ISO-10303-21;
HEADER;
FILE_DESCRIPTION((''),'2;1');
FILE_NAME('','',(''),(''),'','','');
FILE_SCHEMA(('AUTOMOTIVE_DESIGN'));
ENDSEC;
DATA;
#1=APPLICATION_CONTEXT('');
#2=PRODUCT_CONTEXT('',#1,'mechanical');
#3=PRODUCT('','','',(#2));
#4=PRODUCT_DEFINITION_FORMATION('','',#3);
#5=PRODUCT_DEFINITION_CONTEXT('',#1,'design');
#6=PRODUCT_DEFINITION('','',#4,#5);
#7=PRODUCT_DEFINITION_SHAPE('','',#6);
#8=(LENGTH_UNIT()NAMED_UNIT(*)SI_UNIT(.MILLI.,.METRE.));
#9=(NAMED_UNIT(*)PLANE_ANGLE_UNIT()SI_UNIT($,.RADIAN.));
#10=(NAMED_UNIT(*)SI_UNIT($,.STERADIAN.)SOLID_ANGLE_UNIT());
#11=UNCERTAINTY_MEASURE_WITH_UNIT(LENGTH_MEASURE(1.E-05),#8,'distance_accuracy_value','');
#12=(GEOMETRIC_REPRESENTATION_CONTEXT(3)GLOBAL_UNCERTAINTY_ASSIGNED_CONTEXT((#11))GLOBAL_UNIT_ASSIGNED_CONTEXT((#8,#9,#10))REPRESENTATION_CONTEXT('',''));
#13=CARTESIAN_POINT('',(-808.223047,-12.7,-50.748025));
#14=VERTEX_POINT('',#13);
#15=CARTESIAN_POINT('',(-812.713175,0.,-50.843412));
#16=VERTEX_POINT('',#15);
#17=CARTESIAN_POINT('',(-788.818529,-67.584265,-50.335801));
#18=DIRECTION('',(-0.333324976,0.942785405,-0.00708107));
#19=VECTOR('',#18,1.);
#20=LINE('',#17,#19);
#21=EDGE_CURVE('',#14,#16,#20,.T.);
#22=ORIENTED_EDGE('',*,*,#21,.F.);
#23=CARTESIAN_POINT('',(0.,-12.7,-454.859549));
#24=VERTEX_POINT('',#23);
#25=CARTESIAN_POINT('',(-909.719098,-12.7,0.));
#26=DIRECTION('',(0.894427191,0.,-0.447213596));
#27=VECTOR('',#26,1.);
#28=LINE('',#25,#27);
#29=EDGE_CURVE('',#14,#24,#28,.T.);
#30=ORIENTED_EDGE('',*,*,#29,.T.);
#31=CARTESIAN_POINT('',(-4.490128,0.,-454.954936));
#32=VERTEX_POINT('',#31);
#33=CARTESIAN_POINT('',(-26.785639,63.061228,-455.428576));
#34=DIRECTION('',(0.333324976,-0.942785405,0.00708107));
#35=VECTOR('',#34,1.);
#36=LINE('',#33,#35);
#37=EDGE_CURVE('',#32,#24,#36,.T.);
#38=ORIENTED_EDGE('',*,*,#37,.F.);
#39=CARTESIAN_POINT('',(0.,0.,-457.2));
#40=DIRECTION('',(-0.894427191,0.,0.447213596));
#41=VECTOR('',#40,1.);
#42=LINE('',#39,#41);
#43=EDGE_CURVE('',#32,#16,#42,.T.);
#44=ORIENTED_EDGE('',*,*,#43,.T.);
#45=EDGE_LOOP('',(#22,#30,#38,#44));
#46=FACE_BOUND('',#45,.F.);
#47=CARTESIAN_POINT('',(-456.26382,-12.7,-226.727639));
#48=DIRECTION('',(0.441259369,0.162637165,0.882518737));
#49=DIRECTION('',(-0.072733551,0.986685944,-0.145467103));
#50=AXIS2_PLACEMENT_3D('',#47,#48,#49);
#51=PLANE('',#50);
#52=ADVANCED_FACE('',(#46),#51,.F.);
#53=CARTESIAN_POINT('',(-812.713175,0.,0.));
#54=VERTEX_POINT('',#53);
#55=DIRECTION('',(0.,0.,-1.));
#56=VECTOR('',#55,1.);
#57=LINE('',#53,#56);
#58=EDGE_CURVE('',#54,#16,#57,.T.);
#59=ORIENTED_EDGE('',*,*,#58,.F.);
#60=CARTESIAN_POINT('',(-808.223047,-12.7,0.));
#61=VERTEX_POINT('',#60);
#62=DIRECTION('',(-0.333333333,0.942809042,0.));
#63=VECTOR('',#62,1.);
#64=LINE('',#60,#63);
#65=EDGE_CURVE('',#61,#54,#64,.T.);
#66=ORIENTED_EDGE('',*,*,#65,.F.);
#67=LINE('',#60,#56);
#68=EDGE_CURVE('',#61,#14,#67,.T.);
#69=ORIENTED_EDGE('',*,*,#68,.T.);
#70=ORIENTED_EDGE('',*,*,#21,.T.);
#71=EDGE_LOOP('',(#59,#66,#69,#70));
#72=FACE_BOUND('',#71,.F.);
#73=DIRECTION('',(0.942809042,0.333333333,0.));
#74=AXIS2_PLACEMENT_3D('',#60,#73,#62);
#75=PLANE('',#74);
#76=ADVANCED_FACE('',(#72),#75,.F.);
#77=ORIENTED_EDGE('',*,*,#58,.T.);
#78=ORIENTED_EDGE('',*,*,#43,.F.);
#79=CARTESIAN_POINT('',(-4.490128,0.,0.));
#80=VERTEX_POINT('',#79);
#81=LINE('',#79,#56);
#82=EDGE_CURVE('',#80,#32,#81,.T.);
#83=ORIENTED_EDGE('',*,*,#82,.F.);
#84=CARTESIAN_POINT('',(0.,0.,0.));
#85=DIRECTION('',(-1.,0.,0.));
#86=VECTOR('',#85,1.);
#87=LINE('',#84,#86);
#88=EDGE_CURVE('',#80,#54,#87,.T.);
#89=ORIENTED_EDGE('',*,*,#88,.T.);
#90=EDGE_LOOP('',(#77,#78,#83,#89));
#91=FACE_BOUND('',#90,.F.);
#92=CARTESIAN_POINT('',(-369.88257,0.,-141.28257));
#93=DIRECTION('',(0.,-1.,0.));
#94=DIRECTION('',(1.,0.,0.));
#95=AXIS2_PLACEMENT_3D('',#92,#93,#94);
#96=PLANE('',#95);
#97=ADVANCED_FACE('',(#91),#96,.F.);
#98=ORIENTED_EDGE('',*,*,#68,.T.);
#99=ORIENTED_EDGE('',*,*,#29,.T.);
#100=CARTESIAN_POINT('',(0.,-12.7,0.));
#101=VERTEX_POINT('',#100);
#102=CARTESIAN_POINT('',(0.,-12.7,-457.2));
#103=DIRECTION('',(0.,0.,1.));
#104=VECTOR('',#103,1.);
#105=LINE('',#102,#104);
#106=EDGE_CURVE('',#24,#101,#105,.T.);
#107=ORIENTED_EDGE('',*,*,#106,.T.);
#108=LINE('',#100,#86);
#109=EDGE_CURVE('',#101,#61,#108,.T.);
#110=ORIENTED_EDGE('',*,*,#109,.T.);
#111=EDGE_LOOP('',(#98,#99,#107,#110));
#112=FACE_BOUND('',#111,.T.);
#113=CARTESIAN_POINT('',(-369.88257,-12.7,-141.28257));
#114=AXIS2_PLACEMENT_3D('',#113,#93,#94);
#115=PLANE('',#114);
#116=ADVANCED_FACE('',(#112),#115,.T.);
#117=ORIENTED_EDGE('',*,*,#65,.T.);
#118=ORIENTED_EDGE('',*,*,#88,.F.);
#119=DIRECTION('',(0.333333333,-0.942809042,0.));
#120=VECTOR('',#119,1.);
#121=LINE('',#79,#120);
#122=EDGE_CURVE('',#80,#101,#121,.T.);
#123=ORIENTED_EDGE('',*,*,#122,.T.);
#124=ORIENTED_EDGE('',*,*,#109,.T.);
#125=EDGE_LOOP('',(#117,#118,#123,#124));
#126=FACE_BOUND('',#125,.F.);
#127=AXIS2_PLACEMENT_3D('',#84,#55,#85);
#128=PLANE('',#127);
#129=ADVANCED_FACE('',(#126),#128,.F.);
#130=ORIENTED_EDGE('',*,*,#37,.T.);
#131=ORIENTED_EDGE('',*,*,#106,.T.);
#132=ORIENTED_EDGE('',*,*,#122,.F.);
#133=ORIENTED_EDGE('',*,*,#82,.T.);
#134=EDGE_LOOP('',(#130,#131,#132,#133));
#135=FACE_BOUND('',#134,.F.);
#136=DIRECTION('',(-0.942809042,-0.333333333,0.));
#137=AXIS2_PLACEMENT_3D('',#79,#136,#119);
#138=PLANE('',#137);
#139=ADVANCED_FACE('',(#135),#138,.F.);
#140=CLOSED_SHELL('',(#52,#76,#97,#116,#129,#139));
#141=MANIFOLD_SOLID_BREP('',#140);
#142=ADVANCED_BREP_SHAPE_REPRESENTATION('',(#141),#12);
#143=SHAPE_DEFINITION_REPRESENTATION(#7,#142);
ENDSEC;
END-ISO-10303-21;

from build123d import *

# Parameters (mm, degrees)
F1_DEPTH      = 12.7
F6_DEPTH      = 511.1661396565
F6_DEPTH_BACK = 511.1661396565
F7_DEPTH      = 457.201


with BuildPart() as f1:
    # F0 (on Front) → F1 (new body)
    with BuildSketch(Plane.XZ):
        Polygon((0, -457.2), (0, 0), (-914.4, 0), align=None)
    extrude(amount=F1_DEPTH)

    # F5 (on face) → F6 (cut, two sides)
    with BuildSketch(Plane(origin=(-274.32, 0, 137.16), x_dir=(0, -1, 0), z_dir=(-0.894427191, 0, 0.4472135955))) as f6_sk:
        Polygon((12.7, -406.8387485734), (0, -408.9321117252), (12.7, -408.9321117252), align=None)
    extrude(amount=-F6_DEPTH, mode=Mode.SUBTRACT)
    extrude(f6_sk.sketch, amount=F6_DEPTH_BACK, mode=Mode.SUBTRACT)

    # F2 (on face) → F7 (cut, through all)
    with BuildSketch(Plane.XY):
        Polygon((-914.4, -12.7), (-808.223047, -12.7), (-812.7131750519, 0), (-914.4, 0), align=None)
        Polygon((-4.4901280519, 0), (0, -12.7), (0, 0), align=None)
    extrude(amount=-F7_DEPTH, mode=Mode.SUBTRACT)


solid = f1.part
